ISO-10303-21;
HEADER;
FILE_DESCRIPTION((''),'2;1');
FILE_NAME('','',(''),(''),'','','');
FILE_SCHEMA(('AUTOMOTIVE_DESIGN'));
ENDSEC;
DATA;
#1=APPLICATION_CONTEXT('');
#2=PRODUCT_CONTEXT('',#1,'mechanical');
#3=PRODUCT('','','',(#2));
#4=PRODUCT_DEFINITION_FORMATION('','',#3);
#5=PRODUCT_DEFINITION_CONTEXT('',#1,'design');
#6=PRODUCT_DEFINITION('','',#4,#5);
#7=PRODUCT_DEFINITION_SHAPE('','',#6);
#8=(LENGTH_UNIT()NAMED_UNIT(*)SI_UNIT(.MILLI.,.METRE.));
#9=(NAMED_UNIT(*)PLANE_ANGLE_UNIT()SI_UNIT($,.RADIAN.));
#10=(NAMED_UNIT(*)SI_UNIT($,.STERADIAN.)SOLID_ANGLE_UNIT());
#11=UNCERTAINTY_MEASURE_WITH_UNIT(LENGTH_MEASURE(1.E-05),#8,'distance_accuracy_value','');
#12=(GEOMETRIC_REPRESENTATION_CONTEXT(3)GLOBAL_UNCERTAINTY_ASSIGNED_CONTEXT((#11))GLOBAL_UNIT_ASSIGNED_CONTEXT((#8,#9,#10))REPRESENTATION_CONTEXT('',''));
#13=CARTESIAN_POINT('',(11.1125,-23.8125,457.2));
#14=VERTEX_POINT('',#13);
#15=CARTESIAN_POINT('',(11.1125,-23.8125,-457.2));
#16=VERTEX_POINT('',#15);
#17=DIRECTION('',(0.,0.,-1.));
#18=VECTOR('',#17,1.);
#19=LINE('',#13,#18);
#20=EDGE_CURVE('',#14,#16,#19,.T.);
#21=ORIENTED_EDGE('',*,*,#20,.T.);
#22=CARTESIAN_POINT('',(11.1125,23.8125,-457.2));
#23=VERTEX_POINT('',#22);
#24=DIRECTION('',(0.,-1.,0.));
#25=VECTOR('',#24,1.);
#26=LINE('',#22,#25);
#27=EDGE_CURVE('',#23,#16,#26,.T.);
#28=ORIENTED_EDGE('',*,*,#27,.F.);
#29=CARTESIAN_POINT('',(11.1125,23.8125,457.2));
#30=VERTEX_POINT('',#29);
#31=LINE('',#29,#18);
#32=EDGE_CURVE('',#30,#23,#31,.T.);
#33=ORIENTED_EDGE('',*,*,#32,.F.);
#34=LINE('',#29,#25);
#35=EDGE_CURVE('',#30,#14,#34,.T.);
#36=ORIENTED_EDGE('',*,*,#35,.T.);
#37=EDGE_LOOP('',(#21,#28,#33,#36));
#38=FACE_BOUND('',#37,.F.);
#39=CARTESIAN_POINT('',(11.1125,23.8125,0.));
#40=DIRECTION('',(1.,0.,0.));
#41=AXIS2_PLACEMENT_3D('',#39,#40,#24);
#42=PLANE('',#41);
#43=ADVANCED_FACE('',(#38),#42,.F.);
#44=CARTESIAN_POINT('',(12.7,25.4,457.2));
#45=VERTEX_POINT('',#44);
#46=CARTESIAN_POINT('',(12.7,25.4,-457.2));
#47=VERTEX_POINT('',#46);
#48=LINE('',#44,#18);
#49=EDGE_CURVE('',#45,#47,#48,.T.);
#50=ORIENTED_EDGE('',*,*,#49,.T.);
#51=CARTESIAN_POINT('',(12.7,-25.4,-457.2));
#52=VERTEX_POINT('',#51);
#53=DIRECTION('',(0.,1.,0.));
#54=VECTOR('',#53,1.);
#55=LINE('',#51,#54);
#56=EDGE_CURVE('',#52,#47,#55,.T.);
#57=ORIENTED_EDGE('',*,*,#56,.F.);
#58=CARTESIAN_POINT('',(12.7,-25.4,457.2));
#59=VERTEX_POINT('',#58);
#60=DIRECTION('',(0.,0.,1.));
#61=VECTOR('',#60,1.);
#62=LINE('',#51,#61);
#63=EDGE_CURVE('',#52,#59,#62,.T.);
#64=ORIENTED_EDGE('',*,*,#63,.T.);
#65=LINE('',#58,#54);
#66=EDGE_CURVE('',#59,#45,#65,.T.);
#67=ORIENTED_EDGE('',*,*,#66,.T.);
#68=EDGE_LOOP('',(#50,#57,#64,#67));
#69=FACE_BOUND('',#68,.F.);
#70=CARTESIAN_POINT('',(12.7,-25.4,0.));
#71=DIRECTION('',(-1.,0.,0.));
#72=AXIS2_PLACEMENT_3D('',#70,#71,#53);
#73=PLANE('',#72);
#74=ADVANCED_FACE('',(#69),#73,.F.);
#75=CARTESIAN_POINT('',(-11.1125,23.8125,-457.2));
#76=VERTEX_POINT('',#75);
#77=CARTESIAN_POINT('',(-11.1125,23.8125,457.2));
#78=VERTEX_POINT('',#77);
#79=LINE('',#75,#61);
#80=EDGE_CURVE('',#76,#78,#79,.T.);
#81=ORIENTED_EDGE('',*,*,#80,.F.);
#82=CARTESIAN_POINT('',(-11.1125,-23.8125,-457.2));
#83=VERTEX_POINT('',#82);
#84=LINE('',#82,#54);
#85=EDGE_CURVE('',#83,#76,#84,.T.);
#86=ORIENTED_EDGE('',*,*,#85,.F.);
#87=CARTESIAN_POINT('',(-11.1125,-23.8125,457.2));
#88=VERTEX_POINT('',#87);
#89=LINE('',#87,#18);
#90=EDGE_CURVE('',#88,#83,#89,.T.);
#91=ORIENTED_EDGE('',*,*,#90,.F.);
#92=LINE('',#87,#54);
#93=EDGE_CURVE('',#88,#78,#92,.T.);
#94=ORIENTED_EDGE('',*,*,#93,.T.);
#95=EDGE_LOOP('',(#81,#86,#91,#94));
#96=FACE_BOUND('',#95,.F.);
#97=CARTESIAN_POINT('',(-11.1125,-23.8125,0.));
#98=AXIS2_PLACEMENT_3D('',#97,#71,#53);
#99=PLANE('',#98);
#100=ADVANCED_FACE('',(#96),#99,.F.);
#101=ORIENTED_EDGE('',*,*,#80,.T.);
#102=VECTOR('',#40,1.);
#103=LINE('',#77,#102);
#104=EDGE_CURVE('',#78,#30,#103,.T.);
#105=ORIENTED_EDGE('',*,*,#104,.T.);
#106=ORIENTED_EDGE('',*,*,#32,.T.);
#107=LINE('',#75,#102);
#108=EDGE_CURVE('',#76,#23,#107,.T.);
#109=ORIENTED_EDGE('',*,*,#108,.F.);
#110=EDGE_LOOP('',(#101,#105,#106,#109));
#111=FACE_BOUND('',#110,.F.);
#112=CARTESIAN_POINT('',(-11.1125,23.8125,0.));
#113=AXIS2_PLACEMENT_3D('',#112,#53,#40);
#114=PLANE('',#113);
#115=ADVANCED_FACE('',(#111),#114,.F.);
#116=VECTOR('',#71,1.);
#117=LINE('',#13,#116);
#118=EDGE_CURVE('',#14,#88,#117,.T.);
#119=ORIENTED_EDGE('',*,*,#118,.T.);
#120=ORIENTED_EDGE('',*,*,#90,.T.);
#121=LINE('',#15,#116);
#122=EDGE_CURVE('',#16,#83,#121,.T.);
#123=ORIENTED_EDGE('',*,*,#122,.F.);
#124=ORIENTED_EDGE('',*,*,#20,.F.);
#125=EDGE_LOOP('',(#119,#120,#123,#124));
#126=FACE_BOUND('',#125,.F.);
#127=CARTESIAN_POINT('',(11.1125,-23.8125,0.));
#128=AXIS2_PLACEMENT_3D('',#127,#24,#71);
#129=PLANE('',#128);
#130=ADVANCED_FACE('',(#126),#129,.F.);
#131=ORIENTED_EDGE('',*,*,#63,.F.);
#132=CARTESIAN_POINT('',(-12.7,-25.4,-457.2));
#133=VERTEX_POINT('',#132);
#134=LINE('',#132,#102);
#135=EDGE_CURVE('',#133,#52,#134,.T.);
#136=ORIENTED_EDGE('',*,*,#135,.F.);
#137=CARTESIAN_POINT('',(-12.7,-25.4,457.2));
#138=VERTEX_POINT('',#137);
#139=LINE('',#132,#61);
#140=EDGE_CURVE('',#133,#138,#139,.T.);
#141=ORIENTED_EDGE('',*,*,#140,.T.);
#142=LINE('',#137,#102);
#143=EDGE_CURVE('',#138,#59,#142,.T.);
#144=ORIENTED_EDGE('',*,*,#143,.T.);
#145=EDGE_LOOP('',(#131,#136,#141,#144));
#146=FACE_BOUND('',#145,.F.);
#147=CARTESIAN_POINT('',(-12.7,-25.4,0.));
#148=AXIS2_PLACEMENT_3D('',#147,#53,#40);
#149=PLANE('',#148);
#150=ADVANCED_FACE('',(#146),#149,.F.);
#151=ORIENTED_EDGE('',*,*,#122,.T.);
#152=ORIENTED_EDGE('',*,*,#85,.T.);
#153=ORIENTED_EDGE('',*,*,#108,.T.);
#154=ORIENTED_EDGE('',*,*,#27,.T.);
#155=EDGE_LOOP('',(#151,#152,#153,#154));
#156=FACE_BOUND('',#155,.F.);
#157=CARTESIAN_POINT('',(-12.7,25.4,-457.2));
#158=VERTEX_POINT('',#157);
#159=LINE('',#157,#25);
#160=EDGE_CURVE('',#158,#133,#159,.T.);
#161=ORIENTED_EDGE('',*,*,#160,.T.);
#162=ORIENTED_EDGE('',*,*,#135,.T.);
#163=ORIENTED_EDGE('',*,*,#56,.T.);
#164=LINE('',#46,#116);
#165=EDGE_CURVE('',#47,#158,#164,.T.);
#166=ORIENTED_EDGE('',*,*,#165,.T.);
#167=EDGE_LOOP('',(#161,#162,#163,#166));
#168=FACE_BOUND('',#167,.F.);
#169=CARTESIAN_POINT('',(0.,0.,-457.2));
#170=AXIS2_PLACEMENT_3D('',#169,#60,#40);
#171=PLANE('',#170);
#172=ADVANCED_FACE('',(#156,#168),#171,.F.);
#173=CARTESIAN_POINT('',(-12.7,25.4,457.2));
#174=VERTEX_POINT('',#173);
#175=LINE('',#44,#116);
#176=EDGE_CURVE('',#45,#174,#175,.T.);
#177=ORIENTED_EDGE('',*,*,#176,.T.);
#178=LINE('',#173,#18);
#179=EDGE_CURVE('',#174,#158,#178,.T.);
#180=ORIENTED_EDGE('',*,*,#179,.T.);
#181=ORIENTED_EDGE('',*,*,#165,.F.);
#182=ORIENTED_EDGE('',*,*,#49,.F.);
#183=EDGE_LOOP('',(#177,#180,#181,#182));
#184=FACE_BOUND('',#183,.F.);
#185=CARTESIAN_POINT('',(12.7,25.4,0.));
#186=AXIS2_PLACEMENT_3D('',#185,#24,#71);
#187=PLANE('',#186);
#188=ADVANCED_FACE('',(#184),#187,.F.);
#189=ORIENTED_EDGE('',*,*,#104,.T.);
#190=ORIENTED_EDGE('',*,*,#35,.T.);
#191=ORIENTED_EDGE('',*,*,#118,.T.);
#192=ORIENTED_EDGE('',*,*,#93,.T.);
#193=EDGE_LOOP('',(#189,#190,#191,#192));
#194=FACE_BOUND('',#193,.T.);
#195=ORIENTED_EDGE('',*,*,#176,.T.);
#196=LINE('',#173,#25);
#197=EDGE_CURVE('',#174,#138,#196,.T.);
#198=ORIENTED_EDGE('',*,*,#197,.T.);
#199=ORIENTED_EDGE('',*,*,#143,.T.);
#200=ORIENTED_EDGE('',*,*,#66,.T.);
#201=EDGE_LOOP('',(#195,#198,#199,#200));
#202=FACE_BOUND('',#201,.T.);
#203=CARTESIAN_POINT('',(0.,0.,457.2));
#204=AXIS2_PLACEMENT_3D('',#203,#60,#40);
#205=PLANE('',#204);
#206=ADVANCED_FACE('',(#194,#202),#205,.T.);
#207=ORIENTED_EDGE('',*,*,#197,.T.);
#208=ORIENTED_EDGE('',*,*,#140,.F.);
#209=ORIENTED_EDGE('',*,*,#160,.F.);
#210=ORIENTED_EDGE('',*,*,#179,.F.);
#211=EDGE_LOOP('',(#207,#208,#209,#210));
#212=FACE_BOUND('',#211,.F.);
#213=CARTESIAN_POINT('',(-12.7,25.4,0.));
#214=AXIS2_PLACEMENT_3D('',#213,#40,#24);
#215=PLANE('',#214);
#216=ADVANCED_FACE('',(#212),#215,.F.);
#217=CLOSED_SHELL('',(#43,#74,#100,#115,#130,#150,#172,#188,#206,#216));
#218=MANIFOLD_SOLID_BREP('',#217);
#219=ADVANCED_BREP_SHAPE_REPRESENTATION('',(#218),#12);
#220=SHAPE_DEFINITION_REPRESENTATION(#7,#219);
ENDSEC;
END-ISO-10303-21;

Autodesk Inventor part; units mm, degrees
ref_plane "YZ Plane" through (0, 0, 0) normal (1, 0, 0) x (0, 1, 0)
ref_plane "XZ Plane" through (0, 0, 0) normal (0, 1, 0) x (-1, 0, 0)
ref_plane "XY Plane" through (0, 0, 0) normal (0, 0, 1) x (1, 0, 0)
sketch "Sketch1" plane through (0, 0, 0) normal (0, 0, 1) x (1, 0, 0)
  line L0 (-12.7, -25.4) -> (12.7, -25.4)
  line L1 (12.7, -25.4) -> (12.7, 25.4)
  line L2 (12.7, 25.4) -> (-12.7, 25.4)
  line L3 (-12.7, 25.4) -> (-12.7, -25.4)
  line L4 (-12.7, -25.4) -> (12.7, 25.4) construction
  line L5 (12.7, -25.4) -> (-12.7, 25.4) construction
  line L6 (-11.1125, 23.8125) -> (11.1125, 23.8125)
  line L7 (11.1125, 23.8125) -> (11.1125, -23.8125)
  line L8 (11.1125, -23.8125) -> (-11.1125, -23.8125)
  line L9 (-11.1125, -23.8125) -> (-11.1125, 23.8125)
  point P0 (0, 0)
  dimension "width" = 25.4
  dimension "height" = 50.8
  dimension "thickness" = 1.5875
extrude "Extrusion1" add sketch "Sketch1" along normal mid plane 914.4
properties part number "MU-EV-01" material "Aluminum 6061"
